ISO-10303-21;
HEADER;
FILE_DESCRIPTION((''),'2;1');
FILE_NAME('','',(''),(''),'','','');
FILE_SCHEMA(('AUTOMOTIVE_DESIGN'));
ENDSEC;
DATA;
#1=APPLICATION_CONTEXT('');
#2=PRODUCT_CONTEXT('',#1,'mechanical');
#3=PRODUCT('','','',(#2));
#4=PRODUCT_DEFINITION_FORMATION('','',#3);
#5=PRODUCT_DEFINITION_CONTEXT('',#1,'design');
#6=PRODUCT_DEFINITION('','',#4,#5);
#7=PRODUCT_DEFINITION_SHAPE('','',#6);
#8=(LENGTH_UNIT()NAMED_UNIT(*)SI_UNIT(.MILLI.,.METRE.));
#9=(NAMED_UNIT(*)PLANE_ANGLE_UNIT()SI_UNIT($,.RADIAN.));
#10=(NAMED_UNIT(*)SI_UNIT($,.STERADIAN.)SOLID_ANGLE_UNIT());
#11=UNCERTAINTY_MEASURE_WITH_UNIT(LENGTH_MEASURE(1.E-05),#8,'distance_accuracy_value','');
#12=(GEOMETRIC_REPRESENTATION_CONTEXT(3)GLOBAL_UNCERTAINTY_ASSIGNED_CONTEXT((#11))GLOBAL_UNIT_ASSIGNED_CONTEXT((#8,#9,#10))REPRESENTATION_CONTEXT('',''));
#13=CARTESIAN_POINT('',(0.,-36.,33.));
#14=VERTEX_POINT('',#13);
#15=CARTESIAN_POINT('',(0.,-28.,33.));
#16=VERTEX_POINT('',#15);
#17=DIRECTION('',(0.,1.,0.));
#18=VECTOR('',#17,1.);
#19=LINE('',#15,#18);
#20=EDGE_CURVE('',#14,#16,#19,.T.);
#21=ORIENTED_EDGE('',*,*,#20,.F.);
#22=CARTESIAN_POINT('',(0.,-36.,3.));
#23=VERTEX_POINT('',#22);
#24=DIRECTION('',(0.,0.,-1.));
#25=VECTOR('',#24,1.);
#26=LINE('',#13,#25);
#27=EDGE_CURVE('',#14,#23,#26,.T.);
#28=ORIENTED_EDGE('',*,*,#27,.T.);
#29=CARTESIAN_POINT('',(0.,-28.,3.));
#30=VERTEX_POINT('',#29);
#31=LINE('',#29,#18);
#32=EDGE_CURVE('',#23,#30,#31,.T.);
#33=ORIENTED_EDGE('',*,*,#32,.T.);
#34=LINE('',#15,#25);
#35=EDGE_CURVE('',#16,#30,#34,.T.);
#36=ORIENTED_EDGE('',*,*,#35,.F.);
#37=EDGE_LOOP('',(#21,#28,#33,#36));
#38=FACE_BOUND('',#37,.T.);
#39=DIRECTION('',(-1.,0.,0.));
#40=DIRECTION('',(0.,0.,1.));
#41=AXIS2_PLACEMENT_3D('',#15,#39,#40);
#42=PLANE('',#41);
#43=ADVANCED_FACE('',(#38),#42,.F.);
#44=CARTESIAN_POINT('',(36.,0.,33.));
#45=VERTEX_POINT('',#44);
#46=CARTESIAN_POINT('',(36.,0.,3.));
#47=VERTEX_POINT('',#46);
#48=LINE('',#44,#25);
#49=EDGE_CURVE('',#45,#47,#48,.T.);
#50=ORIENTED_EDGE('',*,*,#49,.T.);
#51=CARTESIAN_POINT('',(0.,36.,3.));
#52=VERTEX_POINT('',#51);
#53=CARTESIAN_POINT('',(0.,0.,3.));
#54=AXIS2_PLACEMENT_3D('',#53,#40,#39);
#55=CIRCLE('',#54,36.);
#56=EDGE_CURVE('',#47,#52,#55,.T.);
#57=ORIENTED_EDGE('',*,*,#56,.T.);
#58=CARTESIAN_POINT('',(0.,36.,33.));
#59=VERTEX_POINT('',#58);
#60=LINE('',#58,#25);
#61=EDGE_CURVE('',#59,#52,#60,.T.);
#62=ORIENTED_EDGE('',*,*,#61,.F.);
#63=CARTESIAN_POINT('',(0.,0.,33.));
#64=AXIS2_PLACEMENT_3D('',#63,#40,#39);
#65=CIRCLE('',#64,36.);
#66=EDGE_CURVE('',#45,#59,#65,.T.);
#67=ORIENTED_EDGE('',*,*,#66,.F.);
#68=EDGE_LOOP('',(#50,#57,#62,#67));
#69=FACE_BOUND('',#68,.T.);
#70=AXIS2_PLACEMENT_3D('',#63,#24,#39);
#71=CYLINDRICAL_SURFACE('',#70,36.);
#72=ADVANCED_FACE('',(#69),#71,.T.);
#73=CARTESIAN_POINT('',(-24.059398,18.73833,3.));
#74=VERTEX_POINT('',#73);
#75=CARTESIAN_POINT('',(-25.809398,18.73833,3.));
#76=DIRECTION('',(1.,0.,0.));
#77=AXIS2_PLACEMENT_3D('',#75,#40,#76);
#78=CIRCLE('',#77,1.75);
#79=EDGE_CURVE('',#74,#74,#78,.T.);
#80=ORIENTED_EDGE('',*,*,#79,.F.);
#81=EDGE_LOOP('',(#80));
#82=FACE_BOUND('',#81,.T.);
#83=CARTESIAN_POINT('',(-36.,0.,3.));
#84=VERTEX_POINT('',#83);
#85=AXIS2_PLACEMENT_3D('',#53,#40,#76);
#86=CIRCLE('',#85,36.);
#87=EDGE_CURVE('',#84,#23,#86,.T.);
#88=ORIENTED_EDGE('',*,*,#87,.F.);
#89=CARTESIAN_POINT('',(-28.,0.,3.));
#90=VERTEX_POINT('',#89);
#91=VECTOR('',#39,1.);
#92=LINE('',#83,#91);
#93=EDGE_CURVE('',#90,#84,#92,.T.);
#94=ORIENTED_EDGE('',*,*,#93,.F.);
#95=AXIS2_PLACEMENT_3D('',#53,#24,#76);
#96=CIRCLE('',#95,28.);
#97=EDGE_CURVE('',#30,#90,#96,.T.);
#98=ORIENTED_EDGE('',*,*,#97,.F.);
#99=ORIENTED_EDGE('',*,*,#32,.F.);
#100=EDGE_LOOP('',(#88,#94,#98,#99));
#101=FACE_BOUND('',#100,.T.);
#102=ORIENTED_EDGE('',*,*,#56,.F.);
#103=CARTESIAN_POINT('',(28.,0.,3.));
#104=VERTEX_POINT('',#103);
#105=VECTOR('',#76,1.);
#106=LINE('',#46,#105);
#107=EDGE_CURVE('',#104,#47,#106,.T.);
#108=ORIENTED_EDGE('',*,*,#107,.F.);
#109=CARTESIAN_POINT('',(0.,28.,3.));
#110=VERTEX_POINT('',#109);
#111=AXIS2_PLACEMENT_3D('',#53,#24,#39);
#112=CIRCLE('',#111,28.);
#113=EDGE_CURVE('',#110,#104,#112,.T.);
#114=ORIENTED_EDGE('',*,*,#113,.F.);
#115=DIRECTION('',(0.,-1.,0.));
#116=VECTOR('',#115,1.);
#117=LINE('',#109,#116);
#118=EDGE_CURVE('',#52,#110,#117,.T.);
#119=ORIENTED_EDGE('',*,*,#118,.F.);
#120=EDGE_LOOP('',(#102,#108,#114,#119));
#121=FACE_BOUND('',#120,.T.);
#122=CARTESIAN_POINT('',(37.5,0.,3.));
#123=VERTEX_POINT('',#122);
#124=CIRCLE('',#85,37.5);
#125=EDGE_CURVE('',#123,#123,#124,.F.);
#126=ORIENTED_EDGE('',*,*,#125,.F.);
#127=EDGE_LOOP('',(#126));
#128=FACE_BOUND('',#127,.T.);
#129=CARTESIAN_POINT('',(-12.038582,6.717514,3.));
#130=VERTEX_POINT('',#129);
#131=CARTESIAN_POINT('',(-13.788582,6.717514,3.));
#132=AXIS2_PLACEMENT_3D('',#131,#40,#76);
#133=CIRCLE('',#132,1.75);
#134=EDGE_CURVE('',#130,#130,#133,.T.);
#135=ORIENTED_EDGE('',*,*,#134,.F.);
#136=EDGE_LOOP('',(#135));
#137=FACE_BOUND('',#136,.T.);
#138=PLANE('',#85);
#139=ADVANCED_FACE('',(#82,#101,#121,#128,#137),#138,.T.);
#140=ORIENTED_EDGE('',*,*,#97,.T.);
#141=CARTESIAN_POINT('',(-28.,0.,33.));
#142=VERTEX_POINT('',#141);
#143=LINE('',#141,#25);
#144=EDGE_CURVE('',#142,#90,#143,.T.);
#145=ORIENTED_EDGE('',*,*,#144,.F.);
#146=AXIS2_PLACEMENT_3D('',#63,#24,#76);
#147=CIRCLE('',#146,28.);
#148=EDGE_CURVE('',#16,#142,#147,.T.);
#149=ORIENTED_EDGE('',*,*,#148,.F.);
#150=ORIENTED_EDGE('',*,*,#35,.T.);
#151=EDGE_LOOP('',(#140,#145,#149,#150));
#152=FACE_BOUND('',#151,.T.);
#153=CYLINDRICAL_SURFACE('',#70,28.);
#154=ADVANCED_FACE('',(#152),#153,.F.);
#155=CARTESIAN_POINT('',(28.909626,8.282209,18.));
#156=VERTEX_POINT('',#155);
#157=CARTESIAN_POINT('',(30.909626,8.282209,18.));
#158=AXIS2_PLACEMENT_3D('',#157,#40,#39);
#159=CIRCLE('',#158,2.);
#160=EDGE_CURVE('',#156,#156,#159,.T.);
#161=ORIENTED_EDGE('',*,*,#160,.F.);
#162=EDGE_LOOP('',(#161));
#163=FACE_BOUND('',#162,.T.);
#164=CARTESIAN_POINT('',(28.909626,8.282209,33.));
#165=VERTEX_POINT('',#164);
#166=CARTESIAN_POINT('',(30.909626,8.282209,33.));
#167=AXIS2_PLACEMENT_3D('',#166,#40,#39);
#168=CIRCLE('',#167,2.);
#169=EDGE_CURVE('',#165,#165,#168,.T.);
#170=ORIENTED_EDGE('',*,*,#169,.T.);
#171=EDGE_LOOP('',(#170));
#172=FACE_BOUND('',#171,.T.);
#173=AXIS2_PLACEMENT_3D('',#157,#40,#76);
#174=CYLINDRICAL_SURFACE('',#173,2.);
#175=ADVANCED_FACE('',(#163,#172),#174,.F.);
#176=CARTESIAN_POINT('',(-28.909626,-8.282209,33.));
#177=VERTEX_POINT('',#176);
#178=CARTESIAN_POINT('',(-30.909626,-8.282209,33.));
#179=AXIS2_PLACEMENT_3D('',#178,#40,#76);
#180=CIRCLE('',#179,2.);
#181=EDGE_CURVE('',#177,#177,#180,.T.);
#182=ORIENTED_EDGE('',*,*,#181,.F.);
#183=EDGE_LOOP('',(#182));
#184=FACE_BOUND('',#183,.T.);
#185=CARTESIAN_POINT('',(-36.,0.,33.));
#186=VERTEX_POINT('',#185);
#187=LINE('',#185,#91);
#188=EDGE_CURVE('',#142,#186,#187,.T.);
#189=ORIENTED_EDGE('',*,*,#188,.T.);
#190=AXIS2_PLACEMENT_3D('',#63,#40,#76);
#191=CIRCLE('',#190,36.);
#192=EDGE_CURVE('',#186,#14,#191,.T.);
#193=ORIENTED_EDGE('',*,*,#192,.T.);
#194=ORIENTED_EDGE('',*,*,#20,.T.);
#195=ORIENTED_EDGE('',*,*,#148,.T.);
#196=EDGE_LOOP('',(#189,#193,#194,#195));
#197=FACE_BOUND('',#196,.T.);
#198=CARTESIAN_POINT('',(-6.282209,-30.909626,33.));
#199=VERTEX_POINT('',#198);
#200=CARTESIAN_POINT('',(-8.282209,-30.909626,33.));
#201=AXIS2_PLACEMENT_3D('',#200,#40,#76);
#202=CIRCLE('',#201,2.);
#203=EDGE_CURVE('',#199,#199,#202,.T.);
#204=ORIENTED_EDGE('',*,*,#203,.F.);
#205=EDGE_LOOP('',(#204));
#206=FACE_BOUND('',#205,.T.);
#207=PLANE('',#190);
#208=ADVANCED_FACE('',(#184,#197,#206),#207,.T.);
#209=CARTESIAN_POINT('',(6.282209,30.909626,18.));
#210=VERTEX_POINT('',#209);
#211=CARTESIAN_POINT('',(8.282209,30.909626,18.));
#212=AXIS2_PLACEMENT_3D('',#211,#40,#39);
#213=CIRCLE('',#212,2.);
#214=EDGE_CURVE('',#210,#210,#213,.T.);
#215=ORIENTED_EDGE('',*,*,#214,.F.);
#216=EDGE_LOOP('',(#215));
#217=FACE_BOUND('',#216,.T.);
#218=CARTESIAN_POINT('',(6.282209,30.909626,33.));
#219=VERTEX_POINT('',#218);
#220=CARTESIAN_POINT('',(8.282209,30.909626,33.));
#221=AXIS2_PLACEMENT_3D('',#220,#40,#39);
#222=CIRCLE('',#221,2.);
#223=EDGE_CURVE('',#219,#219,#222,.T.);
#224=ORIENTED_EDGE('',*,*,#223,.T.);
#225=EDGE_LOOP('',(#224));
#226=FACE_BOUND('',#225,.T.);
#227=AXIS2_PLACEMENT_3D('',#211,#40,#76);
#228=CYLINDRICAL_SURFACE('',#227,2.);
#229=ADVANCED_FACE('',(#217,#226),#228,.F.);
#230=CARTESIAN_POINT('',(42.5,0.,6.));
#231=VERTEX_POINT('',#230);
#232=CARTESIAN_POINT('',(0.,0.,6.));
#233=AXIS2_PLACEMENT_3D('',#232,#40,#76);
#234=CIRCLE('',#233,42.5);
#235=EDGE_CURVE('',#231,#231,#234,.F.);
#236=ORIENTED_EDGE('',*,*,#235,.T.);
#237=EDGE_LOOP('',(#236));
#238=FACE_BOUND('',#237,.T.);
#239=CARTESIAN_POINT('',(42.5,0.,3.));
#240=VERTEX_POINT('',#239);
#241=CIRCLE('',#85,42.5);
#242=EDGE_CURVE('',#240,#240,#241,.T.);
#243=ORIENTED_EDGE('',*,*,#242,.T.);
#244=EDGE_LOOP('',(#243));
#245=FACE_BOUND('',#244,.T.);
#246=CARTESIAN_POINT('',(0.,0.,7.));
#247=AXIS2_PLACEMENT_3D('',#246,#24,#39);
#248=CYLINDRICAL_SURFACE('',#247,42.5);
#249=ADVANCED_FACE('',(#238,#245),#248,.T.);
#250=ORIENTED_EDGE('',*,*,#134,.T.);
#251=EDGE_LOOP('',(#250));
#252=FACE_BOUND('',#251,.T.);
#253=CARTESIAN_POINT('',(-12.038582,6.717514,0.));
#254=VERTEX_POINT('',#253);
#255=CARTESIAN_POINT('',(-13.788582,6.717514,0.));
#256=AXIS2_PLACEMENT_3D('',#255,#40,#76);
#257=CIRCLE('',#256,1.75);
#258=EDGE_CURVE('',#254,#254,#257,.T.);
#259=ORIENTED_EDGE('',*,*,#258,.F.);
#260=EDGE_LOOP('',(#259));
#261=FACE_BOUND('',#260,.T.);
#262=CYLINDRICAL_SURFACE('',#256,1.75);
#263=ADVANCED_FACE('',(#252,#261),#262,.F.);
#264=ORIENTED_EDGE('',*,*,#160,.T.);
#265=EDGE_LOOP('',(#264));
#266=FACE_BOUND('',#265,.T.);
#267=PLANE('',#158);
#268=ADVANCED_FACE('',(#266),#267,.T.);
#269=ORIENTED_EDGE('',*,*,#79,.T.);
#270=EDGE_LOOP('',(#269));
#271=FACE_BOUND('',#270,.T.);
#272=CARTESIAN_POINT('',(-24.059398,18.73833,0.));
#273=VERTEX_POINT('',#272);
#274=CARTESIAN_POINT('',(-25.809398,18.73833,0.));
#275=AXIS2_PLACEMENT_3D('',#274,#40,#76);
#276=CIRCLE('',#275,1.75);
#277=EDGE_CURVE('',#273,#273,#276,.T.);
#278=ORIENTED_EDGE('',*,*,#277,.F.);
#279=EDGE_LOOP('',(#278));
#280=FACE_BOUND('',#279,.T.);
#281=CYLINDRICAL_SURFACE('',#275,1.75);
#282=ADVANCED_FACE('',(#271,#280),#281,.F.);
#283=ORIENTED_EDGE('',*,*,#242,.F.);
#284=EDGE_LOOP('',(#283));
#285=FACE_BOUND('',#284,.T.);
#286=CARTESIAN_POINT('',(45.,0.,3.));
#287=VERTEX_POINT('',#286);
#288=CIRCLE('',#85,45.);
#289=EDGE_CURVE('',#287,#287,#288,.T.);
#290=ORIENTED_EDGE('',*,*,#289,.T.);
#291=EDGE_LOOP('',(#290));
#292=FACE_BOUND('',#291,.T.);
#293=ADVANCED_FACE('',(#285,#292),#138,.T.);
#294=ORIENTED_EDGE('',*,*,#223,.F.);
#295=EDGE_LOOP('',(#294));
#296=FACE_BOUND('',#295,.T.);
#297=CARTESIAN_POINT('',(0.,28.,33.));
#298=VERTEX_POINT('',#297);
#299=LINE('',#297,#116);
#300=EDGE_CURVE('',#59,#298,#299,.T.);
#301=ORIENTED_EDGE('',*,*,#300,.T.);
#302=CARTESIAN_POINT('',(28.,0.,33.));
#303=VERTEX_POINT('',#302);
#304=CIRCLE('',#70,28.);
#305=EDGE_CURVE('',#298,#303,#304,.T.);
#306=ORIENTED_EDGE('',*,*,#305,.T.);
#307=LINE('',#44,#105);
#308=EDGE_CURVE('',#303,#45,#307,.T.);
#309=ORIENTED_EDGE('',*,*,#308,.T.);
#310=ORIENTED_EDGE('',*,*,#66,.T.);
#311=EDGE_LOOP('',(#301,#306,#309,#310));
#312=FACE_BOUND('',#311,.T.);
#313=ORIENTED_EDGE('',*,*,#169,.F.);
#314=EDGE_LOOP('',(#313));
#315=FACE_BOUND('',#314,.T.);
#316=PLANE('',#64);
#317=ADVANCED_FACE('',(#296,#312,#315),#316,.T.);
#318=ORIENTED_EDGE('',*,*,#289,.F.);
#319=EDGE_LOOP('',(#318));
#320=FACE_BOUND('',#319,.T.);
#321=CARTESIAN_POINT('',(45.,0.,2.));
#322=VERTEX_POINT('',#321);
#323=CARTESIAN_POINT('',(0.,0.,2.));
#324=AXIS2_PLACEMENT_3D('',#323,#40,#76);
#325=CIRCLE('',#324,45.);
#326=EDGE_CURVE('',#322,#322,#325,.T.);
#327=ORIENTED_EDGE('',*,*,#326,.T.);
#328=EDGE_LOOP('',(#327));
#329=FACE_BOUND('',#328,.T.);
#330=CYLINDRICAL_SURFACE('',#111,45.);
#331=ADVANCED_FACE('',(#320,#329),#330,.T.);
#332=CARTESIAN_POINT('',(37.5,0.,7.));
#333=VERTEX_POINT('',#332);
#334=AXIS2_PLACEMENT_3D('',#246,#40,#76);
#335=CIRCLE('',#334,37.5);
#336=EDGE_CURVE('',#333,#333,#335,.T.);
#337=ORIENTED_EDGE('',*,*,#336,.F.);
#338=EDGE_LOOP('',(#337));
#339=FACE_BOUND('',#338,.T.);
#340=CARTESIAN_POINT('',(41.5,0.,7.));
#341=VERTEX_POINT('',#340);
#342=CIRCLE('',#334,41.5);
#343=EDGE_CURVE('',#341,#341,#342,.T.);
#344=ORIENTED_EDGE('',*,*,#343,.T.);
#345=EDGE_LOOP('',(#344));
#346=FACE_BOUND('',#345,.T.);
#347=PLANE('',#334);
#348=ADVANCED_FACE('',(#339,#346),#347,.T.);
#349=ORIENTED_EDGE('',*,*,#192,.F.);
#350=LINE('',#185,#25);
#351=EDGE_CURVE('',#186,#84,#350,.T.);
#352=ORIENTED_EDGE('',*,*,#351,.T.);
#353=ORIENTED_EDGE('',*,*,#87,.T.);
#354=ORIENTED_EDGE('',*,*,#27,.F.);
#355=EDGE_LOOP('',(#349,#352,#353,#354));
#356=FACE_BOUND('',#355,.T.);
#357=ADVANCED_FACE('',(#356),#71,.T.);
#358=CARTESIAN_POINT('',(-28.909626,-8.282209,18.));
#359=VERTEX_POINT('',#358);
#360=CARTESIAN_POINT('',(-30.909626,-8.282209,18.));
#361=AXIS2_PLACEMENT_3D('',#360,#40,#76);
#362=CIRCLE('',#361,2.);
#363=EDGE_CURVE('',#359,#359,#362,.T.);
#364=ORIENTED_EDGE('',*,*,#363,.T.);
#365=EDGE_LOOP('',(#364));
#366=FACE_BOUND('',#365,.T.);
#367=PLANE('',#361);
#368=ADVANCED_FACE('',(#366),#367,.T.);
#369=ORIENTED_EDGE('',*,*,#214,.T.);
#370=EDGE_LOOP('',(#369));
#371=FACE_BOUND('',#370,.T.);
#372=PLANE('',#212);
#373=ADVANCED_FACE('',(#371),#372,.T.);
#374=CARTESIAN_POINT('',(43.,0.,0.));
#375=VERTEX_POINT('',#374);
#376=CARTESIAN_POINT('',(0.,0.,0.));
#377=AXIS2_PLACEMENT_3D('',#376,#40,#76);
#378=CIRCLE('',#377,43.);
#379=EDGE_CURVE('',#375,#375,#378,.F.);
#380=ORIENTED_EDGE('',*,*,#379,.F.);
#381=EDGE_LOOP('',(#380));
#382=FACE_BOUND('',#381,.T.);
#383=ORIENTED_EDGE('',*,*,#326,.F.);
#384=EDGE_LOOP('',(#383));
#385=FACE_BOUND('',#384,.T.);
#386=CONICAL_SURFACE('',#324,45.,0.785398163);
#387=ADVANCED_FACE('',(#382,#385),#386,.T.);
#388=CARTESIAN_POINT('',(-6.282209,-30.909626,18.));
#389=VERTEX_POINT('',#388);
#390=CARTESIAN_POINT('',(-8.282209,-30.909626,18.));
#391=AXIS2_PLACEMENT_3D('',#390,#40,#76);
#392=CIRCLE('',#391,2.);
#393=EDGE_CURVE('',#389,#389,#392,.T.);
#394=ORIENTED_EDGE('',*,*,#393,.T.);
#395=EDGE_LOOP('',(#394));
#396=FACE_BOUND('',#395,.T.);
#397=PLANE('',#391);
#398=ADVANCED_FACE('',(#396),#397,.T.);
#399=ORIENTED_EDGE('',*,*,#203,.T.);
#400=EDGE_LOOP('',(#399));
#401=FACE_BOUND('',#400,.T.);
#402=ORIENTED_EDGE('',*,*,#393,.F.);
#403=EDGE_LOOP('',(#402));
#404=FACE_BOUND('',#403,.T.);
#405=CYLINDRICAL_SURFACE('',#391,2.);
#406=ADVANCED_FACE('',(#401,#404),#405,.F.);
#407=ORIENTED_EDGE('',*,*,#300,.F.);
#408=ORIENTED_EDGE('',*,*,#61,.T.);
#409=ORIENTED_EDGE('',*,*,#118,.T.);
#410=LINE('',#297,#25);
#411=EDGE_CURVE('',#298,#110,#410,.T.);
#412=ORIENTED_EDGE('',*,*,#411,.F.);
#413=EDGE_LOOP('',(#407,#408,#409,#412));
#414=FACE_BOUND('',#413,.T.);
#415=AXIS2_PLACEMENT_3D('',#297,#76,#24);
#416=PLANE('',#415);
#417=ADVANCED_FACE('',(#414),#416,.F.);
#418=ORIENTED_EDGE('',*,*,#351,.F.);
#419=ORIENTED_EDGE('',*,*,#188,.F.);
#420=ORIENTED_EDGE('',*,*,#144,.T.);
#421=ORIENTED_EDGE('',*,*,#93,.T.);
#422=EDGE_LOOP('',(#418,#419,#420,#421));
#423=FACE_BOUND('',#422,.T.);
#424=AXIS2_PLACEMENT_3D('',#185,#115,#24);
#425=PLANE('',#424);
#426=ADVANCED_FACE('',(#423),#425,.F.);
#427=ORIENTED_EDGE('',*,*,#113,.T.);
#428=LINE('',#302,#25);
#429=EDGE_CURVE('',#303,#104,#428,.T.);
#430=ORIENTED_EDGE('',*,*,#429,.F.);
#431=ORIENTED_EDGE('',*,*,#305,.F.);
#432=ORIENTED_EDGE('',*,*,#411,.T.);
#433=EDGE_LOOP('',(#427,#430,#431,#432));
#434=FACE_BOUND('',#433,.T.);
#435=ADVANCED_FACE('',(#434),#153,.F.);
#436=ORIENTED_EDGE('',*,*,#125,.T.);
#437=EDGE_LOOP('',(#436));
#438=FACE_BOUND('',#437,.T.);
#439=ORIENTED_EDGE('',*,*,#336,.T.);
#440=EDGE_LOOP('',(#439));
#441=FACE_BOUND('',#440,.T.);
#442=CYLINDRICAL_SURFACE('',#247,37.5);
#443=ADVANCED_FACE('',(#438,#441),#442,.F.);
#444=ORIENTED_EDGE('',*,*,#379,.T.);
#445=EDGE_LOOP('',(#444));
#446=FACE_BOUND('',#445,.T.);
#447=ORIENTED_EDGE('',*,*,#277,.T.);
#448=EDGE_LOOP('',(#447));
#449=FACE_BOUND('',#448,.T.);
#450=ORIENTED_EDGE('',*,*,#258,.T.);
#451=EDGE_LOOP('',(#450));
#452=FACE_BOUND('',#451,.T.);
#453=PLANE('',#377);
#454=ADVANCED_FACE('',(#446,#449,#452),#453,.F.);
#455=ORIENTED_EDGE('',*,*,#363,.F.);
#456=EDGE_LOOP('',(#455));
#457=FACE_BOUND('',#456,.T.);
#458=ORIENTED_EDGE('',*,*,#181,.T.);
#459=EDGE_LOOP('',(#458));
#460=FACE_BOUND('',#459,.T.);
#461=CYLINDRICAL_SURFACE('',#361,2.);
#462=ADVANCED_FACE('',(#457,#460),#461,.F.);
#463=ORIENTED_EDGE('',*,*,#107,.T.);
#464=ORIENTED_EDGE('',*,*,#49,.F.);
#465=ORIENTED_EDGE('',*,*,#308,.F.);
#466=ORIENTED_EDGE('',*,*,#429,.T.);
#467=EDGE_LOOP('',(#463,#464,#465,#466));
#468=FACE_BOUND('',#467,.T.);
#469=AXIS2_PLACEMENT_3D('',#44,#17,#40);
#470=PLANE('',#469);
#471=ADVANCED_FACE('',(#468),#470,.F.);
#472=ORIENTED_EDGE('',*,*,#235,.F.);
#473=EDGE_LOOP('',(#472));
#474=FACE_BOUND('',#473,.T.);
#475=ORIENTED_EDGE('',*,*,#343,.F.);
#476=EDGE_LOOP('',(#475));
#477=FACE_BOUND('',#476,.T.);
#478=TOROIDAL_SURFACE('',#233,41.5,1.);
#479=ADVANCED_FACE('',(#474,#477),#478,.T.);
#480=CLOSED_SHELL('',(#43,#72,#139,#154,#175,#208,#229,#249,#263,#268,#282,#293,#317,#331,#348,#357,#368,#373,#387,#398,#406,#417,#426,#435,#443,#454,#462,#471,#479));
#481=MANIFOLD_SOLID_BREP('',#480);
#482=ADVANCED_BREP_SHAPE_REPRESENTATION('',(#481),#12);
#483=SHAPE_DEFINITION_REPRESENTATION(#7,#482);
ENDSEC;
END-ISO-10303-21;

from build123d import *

# Parameters (mm, degrees)
SKETCH1_R           = 45
BOSS_EXTRUDE1_DEPTH = 3
SKETCH2_R           = 42.5
SKETCH2_R_2         = 37.5
BOSS_EXTRUDE2_DEPTH = 4
CHAMFER1_SIZE       = 2
FILLET1_R           = 1
BOSS_EXTRUDE3_DEPTH = 30
SKETCH4_R           = 2
CUT_EXTRUDE1_DEPTH  = 15
CIRPATTERN1_COUNT   = 2
SKETCH5_R           = 1.75
CUT_EXTRUDE2_DEPTH  = 4


with BuildPart() as part:
    # Sketch1 → Boss-Extrude1 (new body)
    with BuildSketch(Plane.XY):
        Circle(SKETCH1_R)
    extrude(amount=BOSS_EXTRUDE1_DEPTH)

    # Sketch2 → Boss-Extrude2 (add)
    with BuildSketch(Plane.XY.offset(3)):
        Circle(SKETCH2_R)
        Circle(SKETCH2_R_2, mode=Mode.SUBTRACT)
    extrude(amount=BOSS_EXTRUDE2_DEPTH)

    # Chamfer1
    chamfer1_edges = [part.edges().sort_by_distance(p)[0] for p in [
        (-45, 0, 0),
    ]]
    chamfer(chamfer1_edges, length=CHAMFER1_SIZE)

    # Fillet1
    fillet1_edges = [part.edges().sort_by_distance(p)[0] for p in [
        (-42.5, 0, 7),
    ]]
    fillet(fillet1_edges, radius=FILLET1_R)

    # Sketch3 → Boss-Extrude3 (add)
    with BuildSketch(Plane.XY.offset(3)):
        with BuildLine():
            Line((-36, 0), (-28, 0))
            ThreePointArc((-28, 0), (-19.798989873, -19.798989873), (0, -28))
            Line((0, -28), (0, -36))
            ThreePointArc((0, -36), (-25.455844123, -25.455844123), (-36, 0))
        make_face()
    boss_extrude3 = extrude(amount=BOSS_EXTRUDE3_DEPTH)

    # Sketch4 → Cut-Extrude1 (cut)
    with BuildSketch(Plane.XY.offset(33)):
        with Locations((-30.909626441, -8.282209443)):
            Circle(SKETCH4_R)
        with Locations((-8.282209443, -30.909626441)):
            Circle(SKETCH4_R)
    cut_extrude1 = extrude(amount=-CUT_EXTRUDE1_DEPTH, mode=Mode.SUBTRACT)

    # CirPattern1: Boss-Extrude3, Cut-Extrude1 ×2 about axis
    cirpattern1_axis = Axis((0, 0, 0), (0, 0, 1))
    for i in range(1, CIRPATTERN1_COUNT):
        add(boss_extrude3.rotate(cirpattern1_axis, i * 360 / CIRPATTERN1_COUNT))
        add(cut_extrude1.rotate(cirpattern1_axis, i * 360 / CIRPATTERN1_COUNT), mode=Mode.SUBTRACT)

    # Sketch5 → Cut-Extrude2 (cut, through all)
    with BuildSketch(Plane.XY.offset(3)):
        with Locations((-25.809397513, 18.738329701)):
            Circle(SKETCH5_R)
        with Locations((-13.788582233, 6.717514421)):
            Circle(SKETCH5_R)
    extrude(amount=-CUT_EXTRUDE2_DEPTH, mode=Mode.SUBTRACT)


solid = part.part
